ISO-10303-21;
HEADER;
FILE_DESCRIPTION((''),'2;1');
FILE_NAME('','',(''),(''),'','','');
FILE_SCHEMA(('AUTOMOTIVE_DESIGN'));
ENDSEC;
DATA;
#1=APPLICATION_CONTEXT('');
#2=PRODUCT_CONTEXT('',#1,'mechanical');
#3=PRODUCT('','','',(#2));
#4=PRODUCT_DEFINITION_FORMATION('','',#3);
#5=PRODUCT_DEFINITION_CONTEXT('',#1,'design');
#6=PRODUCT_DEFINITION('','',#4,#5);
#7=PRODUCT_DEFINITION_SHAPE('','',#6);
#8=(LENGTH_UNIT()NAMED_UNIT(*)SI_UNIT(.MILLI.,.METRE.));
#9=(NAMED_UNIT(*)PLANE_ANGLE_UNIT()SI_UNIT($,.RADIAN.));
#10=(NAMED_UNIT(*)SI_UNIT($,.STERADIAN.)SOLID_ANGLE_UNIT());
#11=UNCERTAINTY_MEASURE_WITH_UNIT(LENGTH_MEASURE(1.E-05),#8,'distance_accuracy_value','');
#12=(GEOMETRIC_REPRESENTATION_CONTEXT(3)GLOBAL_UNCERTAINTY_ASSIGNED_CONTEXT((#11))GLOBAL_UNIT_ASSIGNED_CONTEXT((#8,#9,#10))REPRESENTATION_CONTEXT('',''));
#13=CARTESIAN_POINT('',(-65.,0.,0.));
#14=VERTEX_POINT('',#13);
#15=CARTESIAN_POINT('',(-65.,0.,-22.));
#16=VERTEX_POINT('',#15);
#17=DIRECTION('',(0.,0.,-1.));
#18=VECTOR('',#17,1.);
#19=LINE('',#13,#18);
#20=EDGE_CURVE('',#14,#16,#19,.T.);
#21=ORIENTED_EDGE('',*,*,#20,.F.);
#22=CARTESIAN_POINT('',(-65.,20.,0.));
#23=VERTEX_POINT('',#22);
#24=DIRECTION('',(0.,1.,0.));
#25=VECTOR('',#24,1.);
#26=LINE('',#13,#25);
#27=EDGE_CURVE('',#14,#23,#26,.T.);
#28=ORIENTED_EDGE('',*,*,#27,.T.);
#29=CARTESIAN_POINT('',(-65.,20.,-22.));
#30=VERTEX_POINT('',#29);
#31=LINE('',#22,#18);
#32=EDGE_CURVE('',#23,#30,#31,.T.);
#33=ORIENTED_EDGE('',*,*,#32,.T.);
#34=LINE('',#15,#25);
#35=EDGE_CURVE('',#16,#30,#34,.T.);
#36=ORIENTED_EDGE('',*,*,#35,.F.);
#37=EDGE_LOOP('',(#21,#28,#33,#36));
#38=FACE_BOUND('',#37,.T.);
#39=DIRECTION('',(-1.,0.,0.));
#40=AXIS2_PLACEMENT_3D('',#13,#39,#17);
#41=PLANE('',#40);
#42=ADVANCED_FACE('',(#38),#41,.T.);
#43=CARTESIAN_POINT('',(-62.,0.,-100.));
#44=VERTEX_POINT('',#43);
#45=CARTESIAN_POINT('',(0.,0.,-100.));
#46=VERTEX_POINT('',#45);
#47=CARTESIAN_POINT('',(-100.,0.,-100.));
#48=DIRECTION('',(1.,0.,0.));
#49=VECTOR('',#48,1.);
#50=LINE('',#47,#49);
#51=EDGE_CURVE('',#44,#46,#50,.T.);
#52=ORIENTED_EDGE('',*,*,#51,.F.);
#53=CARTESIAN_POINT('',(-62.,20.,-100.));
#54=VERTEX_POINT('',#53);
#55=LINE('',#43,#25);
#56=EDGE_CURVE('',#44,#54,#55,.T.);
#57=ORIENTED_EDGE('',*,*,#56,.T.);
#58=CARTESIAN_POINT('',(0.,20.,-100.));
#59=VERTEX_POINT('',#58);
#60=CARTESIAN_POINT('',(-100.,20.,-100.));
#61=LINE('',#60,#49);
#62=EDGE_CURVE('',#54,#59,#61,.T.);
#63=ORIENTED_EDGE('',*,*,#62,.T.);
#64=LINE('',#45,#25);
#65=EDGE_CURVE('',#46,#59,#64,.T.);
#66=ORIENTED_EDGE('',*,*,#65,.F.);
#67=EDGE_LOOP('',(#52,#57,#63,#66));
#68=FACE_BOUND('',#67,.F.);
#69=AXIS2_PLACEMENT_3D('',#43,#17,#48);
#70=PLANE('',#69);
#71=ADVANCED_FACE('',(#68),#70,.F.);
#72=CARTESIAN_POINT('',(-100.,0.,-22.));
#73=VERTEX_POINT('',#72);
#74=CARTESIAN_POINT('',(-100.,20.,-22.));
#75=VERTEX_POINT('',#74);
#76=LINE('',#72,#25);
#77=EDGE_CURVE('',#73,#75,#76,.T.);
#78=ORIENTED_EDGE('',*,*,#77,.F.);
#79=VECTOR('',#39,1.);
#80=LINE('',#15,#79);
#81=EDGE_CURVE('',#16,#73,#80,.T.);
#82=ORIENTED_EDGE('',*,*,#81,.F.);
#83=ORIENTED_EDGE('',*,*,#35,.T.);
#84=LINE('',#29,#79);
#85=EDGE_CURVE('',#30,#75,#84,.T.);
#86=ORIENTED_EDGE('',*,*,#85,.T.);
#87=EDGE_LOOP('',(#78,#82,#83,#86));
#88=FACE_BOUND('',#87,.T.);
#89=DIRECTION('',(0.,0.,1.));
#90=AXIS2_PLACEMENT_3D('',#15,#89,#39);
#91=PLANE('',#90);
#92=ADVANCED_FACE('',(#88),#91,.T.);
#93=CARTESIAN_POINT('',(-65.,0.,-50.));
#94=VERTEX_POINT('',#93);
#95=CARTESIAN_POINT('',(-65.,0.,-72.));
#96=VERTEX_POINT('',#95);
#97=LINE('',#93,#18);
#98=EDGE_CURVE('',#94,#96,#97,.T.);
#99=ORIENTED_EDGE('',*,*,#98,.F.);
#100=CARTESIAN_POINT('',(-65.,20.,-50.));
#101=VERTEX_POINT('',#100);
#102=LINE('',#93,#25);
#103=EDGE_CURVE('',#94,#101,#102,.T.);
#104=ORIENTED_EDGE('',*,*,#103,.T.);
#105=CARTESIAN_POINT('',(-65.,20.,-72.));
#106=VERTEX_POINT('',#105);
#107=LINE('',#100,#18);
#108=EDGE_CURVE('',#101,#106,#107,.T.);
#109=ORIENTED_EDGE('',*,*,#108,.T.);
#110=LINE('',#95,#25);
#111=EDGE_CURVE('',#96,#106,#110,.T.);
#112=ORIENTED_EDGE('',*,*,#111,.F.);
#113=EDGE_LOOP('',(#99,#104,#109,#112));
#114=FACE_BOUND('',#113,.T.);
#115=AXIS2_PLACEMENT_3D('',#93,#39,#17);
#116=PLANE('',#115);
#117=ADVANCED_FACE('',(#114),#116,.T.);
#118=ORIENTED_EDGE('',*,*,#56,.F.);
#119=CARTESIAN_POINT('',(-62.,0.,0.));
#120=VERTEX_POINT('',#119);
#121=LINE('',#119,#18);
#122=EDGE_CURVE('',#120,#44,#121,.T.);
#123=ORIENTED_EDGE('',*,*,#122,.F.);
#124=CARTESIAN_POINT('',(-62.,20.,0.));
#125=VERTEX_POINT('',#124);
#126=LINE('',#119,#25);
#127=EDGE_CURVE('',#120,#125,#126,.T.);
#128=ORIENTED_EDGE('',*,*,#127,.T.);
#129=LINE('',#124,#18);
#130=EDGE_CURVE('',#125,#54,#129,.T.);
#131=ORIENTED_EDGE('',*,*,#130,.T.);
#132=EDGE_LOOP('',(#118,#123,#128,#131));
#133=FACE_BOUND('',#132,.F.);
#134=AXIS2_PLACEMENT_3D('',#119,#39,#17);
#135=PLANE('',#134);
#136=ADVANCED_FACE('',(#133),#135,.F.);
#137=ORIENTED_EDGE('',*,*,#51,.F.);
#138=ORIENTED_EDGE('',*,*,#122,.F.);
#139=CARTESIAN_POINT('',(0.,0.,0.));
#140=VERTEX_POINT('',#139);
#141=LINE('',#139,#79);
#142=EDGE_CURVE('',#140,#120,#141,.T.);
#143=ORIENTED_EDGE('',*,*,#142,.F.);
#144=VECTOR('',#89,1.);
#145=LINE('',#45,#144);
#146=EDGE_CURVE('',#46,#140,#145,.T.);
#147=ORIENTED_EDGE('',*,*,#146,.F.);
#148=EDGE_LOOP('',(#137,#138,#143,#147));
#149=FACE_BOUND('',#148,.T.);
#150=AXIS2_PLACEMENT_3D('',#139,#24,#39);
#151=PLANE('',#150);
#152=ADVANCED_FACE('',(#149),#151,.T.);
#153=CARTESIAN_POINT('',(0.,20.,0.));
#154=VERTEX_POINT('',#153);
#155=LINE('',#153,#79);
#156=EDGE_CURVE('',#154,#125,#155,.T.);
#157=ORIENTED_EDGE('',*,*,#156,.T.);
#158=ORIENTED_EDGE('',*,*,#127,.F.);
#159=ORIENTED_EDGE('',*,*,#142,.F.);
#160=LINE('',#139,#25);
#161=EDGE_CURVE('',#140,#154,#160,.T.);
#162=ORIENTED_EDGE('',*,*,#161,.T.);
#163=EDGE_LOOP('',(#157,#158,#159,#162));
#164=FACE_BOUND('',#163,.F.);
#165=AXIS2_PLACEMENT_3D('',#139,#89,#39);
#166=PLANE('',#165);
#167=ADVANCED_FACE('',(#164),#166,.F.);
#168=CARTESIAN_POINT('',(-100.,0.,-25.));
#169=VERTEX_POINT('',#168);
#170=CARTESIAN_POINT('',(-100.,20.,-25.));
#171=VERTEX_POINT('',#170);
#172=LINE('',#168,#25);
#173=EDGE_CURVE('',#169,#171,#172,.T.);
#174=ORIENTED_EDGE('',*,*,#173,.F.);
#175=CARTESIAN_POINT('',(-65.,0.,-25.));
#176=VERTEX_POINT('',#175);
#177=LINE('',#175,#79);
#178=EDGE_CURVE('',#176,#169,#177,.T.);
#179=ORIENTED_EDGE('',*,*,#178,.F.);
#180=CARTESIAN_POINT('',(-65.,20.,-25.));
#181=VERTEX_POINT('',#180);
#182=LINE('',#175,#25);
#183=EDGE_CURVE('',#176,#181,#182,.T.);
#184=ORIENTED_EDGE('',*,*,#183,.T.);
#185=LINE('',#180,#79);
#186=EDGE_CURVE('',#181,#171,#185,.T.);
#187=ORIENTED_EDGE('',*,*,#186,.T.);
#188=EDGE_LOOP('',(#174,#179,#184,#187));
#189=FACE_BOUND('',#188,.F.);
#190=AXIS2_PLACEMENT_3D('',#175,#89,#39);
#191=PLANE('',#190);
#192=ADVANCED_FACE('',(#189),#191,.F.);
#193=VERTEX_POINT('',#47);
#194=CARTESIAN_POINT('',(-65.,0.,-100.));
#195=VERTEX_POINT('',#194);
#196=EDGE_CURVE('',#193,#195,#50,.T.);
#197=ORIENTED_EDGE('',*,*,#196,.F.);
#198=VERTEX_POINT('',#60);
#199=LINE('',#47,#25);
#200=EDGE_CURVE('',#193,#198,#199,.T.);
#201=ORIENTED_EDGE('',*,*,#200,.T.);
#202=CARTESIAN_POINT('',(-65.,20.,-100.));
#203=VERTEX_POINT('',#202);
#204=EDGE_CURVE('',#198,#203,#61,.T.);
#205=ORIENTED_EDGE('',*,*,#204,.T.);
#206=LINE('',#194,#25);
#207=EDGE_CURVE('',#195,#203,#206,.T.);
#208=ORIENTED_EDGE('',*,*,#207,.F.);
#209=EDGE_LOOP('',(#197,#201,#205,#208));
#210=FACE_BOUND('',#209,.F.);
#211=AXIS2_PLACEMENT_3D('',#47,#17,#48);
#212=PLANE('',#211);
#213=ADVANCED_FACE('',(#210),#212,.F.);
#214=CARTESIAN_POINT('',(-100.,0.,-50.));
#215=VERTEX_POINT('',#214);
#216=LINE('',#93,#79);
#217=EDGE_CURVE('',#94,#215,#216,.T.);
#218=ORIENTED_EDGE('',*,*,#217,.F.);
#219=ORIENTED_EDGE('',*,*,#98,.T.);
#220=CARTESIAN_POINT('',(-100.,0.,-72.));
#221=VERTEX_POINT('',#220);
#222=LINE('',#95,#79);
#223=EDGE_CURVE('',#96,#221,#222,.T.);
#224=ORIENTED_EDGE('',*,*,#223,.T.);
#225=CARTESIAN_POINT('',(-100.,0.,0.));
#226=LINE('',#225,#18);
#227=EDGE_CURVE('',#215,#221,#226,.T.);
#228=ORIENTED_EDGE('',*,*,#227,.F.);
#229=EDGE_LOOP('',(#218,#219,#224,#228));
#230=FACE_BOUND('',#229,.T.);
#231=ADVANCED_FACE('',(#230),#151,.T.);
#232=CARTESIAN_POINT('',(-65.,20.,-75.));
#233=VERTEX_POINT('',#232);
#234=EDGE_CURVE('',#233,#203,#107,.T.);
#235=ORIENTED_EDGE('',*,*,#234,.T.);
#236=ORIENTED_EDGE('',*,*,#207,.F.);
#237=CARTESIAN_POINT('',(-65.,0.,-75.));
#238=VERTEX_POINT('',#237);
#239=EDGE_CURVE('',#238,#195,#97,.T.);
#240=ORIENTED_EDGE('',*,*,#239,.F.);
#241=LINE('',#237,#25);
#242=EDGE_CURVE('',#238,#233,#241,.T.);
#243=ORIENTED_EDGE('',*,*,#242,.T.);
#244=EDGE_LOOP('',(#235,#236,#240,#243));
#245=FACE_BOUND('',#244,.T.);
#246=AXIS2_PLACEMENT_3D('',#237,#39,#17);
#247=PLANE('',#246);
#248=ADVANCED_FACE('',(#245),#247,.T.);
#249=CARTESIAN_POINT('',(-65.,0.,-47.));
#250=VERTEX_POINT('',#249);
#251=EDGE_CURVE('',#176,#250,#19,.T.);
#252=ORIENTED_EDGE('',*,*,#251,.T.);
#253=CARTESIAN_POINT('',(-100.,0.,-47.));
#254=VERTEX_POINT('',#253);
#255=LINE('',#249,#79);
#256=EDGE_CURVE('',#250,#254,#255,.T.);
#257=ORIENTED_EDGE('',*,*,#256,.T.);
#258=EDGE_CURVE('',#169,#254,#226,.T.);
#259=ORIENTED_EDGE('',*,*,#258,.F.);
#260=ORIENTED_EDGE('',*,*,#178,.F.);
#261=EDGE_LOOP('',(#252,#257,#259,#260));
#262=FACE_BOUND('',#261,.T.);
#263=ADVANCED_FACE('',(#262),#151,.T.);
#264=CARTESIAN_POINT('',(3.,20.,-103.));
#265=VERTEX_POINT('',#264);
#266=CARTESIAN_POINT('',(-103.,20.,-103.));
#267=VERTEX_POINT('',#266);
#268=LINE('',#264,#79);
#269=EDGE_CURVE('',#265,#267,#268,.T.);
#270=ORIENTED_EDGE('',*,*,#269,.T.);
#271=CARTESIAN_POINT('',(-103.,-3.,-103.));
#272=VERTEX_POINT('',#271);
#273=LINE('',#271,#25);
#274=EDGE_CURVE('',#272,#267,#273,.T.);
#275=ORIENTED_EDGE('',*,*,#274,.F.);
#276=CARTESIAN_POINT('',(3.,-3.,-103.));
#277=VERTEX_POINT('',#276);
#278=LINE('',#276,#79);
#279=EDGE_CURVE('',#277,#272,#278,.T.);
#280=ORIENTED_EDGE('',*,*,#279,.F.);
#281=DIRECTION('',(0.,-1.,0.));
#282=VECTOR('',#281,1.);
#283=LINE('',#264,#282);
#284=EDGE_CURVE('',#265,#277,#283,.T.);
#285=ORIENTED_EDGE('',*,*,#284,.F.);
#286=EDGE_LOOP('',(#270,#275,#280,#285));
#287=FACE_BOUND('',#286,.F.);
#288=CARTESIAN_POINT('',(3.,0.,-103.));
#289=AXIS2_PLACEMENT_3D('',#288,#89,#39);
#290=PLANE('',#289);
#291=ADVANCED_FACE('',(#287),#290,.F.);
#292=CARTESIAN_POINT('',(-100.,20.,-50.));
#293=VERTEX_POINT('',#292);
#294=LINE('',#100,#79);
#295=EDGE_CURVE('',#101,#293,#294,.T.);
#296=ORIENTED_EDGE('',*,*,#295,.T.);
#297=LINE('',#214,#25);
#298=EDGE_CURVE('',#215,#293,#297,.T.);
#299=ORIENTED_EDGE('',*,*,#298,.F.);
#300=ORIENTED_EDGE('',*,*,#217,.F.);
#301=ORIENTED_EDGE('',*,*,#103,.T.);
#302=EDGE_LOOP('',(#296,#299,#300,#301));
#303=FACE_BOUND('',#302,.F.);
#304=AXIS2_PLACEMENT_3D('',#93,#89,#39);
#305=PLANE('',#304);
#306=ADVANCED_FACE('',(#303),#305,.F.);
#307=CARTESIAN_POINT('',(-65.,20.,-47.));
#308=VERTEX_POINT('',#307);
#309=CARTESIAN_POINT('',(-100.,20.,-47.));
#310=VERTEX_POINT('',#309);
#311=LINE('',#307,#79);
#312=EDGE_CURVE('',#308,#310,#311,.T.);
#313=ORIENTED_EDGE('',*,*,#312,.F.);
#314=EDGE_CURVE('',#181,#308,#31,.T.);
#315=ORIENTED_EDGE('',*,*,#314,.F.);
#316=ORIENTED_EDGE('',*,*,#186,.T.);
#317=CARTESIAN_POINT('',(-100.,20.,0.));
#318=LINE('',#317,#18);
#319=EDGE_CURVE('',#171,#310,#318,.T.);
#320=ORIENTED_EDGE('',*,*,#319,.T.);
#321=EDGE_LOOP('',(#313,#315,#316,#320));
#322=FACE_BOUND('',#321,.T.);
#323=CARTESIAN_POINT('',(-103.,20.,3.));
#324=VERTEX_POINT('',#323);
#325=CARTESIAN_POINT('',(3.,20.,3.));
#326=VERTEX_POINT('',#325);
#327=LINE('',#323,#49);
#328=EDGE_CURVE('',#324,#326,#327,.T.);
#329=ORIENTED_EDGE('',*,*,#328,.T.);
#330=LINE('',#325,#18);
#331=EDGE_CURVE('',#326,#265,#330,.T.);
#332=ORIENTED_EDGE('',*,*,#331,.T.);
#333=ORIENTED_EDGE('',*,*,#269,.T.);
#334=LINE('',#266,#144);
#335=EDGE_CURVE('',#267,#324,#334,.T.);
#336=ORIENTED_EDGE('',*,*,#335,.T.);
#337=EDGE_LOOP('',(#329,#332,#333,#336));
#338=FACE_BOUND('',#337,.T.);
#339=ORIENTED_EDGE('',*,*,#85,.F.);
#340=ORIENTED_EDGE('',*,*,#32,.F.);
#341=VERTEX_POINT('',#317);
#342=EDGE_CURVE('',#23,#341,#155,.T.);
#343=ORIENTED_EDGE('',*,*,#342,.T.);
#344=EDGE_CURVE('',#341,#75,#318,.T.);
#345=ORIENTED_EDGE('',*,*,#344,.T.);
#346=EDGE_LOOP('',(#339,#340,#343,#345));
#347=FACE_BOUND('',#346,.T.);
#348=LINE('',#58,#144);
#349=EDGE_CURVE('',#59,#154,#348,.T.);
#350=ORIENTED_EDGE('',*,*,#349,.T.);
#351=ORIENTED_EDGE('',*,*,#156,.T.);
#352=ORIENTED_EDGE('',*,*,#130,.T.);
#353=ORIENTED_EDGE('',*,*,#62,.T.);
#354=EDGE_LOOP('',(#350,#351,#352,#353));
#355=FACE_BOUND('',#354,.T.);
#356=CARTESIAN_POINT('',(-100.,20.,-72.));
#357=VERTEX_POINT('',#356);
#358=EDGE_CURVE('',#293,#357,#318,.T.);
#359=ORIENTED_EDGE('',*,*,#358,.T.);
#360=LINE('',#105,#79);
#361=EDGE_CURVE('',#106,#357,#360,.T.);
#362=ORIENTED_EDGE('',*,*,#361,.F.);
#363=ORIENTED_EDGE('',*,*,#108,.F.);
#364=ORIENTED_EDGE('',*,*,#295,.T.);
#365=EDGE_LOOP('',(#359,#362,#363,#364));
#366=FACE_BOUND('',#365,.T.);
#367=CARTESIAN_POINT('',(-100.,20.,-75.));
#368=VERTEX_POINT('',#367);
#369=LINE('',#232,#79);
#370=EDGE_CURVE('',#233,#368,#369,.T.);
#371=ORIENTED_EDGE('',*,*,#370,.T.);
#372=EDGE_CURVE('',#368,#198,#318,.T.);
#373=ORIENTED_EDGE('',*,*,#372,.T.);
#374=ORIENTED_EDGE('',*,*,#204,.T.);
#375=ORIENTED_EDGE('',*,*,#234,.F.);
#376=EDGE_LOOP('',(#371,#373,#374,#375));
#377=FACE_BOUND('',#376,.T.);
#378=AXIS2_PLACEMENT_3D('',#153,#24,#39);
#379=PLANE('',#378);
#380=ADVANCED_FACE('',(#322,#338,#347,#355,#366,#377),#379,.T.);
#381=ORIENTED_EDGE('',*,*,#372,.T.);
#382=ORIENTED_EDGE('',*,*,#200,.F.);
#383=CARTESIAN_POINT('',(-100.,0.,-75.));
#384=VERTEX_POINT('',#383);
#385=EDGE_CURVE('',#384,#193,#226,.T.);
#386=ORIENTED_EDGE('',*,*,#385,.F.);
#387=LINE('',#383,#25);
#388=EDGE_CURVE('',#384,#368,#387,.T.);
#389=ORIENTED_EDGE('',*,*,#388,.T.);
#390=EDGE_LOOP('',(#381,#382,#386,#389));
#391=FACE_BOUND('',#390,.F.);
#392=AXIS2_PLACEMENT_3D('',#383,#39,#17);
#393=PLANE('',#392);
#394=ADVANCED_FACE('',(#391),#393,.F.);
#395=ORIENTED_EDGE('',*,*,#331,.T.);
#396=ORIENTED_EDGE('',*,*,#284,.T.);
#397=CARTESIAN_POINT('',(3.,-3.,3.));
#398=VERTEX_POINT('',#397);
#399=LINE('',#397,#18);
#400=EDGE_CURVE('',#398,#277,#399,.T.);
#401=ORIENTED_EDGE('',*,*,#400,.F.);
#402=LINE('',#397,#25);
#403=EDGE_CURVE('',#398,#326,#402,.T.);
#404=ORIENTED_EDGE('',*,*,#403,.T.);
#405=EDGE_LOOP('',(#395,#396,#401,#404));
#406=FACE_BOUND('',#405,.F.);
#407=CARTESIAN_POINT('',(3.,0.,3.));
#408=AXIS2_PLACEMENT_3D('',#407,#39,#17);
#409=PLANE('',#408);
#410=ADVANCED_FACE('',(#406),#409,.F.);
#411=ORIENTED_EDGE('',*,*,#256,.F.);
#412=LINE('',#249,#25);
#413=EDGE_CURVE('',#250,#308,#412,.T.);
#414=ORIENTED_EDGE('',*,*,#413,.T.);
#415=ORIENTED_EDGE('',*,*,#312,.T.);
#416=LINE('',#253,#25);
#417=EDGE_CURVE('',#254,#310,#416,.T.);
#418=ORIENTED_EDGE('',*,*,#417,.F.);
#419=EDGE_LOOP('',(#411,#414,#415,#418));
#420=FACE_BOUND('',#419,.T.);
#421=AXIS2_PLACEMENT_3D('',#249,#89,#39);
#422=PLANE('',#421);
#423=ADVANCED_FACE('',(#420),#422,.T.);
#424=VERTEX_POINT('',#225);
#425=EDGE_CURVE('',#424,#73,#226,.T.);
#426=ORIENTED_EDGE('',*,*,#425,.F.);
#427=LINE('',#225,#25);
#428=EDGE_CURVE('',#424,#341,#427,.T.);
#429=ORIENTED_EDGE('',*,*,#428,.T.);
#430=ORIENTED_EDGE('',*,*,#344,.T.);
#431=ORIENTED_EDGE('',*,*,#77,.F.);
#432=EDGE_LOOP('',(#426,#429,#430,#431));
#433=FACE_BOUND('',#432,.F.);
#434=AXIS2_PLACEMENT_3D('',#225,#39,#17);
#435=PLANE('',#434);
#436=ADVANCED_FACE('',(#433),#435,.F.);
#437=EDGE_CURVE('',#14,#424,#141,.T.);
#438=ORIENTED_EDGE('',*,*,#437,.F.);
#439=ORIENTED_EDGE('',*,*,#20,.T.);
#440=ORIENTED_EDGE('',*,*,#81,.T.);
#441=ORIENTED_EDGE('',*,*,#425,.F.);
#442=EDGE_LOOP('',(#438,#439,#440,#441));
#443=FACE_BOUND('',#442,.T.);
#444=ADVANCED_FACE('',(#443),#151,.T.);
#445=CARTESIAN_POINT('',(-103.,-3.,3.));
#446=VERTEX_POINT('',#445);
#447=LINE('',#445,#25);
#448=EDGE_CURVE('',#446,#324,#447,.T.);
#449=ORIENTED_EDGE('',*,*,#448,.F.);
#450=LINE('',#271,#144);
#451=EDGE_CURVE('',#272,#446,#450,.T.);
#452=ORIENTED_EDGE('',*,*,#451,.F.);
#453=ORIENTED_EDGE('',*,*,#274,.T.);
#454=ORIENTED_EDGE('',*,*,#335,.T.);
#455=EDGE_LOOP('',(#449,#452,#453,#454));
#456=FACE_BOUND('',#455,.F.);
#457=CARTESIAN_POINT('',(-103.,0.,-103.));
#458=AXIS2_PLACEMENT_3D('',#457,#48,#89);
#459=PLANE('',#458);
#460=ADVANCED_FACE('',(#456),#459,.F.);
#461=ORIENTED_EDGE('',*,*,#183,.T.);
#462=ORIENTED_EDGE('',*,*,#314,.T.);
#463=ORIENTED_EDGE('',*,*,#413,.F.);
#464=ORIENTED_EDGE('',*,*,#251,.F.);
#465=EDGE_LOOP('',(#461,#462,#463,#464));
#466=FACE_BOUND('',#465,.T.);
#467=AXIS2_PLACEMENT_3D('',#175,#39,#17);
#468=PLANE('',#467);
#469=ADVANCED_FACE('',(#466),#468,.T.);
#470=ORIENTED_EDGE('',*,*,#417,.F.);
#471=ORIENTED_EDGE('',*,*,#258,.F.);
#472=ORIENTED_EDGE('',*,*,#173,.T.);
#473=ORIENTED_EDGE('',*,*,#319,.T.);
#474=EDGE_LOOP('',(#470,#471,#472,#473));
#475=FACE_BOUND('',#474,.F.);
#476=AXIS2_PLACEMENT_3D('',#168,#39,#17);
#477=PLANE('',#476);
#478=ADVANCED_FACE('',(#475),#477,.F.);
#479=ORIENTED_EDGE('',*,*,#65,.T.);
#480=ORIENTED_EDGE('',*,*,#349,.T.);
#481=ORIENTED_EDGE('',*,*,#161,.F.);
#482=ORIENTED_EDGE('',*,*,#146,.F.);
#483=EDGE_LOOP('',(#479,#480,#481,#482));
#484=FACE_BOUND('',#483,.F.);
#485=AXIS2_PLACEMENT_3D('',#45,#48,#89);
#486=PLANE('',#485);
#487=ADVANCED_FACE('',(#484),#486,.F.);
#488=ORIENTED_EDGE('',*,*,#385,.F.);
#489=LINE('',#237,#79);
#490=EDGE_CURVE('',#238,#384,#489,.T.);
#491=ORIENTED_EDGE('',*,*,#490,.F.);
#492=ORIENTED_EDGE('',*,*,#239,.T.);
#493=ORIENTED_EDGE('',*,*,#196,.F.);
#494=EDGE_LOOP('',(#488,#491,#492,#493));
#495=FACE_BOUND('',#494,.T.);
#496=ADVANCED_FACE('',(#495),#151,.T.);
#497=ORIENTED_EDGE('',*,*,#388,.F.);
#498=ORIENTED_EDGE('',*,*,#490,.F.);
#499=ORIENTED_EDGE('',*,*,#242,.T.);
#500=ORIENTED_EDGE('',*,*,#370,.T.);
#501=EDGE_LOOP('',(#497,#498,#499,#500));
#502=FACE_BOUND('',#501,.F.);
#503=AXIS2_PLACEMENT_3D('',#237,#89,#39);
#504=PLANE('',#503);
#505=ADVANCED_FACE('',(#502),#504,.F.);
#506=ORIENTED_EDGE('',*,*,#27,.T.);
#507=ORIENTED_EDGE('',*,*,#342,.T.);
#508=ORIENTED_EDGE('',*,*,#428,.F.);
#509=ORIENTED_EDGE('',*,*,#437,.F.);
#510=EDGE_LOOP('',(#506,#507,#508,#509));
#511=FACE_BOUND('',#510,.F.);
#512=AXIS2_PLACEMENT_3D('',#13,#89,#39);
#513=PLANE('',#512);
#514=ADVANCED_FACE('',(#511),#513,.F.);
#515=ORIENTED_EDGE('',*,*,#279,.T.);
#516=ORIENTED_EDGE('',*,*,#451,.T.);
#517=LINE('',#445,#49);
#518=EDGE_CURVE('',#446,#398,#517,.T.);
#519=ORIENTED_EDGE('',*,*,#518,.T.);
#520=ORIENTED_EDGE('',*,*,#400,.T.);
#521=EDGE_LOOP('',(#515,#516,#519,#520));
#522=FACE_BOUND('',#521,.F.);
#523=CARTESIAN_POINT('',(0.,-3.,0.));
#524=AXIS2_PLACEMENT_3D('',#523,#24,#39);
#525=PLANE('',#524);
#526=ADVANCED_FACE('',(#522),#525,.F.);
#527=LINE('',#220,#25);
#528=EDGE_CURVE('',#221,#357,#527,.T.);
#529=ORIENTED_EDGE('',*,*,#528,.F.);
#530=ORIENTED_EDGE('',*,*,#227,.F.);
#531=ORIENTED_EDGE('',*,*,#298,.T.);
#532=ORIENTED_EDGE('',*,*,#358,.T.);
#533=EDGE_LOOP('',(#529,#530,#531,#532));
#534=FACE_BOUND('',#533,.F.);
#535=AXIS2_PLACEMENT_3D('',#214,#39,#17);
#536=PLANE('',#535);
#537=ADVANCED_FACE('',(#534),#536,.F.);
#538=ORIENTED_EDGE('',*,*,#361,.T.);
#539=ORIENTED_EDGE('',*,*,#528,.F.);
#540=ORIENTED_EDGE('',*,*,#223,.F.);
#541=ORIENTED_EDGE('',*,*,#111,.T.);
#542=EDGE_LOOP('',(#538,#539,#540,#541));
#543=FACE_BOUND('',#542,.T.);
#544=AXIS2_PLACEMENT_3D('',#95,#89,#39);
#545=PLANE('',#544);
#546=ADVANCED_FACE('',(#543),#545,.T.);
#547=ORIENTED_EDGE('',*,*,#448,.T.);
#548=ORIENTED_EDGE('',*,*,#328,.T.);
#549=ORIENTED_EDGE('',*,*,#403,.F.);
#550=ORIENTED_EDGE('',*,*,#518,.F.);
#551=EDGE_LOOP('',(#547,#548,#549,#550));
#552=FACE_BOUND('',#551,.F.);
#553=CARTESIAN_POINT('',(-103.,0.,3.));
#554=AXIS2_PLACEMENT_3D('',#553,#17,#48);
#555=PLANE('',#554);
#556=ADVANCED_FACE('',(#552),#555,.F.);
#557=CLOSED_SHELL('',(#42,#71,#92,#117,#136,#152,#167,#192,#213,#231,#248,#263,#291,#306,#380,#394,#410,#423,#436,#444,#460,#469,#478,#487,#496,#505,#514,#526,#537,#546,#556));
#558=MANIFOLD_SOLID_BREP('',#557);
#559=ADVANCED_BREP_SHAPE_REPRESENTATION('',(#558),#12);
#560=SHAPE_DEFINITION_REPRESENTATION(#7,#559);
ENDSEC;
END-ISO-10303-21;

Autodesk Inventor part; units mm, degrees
ref_plane "YZ Plane" through (0, 0, 0) normal (1, 0, 0) x (0, 1, 0)
ref_plane "XZ Plane" through (0, 0, 0) normal (0, 1, 0) x (-1, 0, 0)
ref_plane "XY Plane" through (0, 0, 0) normal (0, 0, 1) x (1, 0, 0)
sketch "Boceto1" plane through (0, 0, 0) normal (0, 1, 0) x (-1, 0, 0)
  line L0 (0, 0) -> (100, 0)
  line L1 (100, 0) -> (100, -100)
  line L2 (100, -100) -> (0, -100)
  line L3 (0, -100) -> (0, 0)
  line L4 (100, 0) -> (65, 0)
  line L5 (65, 0) -> (65, -50)
  line L6 (65, -100) -> (100, -100)
  line L7 (100, -100) -> (100, 0)
  line L8 (65, -50) -> (100, -50)
  line L9 (65, -50) -> (65, -100)
  line L10 (65, -25) -> (100, -25)
  line L11 (65, -75) -> (100, -75)
  line L12 (103, -103) -> (103, 3)
  line L13 (103, 3) -> (-3, 3)
  line L14 (-3, 3) -> (-3, -103)
  line L15 (-3, -103) -> (103, -103)
  line L16 (65, -72) -> (100, -72)
  line L17 (65, -47) -> (100, -47)
  line L18 (65, -22) -> (100, -22)
  line L19 (62, 0) -> (62, -100)
  dimension "d0" = 100
  dimension "d1" = 100
  dimension "d2" = 3
  dimension "d3" = 3
  dimension "d4" = 3
  dimension "d5" = 3
  dimension "d6" = 3
  dimension "d7" = 35
extrude "Extrusión1" add sketch "Boceto1" along normal blind 20 contours L0 L5 L9 L2 L19 | L18 L1 L10 L5 | L9 L16 L1 L11 | L17 L1 L8 L5 | L15 L14 L13 L12
extrude "Extrusión2" add sketch "Boceto1" against normal blind 3 contours L0 L19 L2 L3 | L0 L5 L9 L2 L19 | L0 L1 L18 L5 | L18 L1 L10 L5 | L9 L11 L1 L2 | L10 L1 L17 L5 | L9 L16 L1 L11 | L17 L1 L8 L5 | L9 L8 L1 L16 | L15 L14 L13 L12
equation "\"d3\" = d2"
equation "\"d4\" = d3"
equation "\"d5\" = d2"
properties part number "Cajita Organizadora"
